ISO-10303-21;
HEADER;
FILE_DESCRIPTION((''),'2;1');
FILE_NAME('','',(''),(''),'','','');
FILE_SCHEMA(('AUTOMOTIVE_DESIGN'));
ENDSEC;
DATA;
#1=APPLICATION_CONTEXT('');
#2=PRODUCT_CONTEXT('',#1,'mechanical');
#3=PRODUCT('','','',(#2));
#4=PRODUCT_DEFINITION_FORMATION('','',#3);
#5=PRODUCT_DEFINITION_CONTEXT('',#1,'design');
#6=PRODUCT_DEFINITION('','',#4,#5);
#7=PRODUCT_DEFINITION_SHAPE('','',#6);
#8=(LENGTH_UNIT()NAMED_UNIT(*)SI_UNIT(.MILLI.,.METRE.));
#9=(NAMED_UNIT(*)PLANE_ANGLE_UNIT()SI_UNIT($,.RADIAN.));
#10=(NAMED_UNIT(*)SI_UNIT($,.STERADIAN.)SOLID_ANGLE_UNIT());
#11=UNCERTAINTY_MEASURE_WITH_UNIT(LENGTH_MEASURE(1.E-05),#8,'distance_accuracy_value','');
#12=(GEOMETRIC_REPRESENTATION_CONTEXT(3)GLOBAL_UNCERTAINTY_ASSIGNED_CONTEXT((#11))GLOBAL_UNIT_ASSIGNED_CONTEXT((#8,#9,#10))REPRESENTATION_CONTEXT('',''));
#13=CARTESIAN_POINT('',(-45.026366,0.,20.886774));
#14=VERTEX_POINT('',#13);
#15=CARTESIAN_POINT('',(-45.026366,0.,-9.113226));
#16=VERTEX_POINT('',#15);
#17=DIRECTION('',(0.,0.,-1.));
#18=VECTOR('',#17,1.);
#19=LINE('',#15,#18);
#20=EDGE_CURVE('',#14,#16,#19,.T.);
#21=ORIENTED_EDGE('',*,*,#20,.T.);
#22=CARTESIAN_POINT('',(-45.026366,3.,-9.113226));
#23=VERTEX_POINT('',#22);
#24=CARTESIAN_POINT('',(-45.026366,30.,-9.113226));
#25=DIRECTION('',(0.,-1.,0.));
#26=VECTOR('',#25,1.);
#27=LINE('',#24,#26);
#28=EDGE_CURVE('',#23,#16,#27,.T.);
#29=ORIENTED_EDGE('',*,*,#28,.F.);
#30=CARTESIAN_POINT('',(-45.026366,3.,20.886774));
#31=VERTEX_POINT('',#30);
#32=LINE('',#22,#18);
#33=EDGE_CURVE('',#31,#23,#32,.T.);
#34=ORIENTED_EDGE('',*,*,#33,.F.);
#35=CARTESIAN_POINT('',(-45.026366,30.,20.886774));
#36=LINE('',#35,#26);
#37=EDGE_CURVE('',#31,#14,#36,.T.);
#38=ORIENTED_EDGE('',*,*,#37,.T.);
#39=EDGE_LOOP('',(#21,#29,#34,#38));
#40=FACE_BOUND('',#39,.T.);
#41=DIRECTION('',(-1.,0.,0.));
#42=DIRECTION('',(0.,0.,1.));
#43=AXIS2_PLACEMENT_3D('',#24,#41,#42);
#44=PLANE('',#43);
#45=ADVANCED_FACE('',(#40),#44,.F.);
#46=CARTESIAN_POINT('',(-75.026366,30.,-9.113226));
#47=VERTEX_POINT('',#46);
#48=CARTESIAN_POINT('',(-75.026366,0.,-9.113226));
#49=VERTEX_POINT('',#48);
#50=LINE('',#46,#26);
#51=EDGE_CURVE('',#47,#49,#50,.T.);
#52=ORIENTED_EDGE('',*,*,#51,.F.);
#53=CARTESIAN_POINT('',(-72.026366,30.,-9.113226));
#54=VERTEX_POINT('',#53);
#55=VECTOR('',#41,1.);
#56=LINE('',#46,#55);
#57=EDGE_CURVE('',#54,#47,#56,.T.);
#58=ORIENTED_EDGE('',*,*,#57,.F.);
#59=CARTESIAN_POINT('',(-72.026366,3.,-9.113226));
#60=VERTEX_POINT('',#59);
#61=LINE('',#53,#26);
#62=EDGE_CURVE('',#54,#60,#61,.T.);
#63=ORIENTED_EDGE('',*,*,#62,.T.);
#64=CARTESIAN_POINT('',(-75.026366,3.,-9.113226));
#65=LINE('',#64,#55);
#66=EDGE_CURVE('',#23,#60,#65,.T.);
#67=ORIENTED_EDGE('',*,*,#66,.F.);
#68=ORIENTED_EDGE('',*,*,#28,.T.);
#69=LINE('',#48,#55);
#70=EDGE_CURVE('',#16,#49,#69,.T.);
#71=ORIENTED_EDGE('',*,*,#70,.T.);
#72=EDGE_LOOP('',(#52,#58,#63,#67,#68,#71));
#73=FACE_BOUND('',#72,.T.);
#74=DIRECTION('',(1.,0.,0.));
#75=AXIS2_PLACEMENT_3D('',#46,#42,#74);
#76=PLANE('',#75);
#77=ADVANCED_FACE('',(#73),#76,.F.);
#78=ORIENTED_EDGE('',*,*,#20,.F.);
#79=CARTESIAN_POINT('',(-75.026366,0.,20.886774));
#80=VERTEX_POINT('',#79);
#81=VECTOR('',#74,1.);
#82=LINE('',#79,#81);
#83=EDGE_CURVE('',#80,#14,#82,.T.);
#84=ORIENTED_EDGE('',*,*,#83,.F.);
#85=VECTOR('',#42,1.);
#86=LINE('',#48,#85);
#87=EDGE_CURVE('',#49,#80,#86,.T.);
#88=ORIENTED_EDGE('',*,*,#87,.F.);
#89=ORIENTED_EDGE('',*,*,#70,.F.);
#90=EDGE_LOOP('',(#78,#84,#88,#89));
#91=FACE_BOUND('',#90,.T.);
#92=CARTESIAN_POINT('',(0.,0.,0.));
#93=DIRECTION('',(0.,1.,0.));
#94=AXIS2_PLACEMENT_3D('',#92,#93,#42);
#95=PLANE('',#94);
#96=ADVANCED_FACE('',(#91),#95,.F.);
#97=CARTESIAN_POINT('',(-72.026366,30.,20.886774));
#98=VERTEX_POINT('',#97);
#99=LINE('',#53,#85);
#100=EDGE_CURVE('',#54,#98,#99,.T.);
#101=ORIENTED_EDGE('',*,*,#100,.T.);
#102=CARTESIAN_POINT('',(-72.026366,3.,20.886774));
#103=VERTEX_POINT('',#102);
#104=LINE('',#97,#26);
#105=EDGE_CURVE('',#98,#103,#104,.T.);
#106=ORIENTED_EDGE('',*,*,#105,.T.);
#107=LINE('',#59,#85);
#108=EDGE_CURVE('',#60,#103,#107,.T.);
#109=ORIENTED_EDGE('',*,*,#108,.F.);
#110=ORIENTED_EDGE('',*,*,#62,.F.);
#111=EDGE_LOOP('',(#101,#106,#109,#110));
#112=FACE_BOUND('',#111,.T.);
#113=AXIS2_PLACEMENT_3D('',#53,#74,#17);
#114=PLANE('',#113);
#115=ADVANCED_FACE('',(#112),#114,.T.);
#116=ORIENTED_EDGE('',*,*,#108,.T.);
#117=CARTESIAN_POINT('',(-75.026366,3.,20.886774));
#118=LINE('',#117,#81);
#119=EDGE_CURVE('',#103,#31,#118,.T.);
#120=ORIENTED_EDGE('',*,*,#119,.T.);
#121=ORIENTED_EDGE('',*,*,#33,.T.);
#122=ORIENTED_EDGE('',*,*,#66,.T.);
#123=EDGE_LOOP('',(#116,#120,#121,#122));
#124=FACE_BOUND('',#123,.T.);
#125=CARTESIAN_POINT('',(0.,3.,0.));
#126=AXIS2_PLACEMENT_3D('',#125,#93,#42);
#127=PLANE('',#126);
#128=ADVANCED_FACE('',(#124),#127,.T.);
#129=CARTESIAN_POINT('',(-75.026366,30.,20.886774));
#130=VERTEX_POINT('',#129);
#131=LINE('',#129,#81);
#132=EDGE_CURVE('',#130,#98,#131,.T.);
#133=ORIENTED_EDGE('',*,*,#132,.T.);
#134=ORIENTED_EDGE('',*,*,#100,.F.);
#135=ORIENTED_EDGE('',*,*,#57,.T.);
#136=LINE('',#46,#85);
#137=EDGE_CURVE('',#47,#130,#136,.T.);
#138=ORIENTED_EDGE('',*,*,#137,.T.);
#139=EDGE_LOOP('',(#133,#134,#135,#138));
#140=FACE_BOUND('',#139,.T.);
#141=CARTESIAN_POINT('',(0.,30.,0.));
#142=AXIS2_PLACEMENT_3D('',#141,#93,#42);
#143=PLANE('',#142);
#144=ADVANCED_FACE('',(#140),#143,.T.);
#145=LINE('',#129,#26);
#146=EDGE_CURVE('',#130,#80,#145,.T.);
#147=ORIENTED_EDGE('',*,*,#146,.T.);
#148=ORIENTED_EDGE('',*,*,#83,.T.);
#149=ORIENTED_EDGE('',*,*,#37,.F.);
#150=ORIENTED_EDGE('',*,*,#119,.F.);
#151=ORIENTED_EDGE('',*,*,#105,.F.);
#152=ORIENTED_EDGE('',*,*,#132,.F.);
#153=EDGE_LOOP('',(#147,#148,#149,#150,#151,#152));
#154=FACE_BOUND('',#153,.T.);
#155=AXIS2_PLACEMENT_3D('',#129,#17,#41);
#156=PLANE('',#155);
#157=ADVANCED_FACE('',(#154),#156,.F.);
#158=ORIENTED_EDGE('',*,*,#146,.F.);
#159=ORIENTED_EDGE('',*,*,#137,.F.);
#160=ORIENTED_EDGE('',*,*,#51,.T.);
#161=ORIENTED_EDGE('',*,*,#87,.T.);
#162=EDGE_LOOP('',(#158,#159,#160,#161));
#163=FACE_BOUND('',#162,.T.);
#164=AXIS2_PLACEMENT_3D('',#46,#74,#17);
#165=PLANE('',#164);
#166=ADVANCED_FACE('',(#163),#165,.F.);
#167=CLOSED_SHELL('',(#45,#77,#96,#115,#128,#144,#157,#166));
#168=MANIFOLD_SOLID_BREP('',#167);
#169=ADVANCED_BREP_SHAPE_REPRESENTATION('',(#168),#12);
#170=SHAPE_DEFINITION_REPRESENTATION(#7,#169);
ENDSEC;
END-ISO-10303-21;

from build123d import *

# Parameters (mm, degrees)
SKETCH1_W           = 30
SKETCH1_H           = 30
BOSS_EXTRUDE1_DEPTH = 30
SHELL1_T            = -3


with BuildPart() as part:
    # Sketch1 → Boss-Extrude1 (new body)
    with BuildSketch(Plane(origin=(0, 0, 0), x_dir=(1, 0, 0), z_dir=(0, 1, 0))):
        with Locations((-60.026365989, -5.886774035)):
            Rectangle(SKETCH1_W, SKETCH1_H)
    extrude(amount=BOSS_EXTRUDE1_DEPTH)

    # Shell1
    shell1_openings = [part.faces().sort_by_distance(p)[0] for p in [
        (-60.026365989, 30, 5.886774035),
        (-60.026365989, 15, -9.113225965),
        (-45.026365989, 15, 5.886774035),
        (-60.026365989, 15, 20.886774035),
    ]]
    offset(amount=SHELL1_T, openings=shell1_openings, kind=Kind.INTERSECTION)


solid = part.part
